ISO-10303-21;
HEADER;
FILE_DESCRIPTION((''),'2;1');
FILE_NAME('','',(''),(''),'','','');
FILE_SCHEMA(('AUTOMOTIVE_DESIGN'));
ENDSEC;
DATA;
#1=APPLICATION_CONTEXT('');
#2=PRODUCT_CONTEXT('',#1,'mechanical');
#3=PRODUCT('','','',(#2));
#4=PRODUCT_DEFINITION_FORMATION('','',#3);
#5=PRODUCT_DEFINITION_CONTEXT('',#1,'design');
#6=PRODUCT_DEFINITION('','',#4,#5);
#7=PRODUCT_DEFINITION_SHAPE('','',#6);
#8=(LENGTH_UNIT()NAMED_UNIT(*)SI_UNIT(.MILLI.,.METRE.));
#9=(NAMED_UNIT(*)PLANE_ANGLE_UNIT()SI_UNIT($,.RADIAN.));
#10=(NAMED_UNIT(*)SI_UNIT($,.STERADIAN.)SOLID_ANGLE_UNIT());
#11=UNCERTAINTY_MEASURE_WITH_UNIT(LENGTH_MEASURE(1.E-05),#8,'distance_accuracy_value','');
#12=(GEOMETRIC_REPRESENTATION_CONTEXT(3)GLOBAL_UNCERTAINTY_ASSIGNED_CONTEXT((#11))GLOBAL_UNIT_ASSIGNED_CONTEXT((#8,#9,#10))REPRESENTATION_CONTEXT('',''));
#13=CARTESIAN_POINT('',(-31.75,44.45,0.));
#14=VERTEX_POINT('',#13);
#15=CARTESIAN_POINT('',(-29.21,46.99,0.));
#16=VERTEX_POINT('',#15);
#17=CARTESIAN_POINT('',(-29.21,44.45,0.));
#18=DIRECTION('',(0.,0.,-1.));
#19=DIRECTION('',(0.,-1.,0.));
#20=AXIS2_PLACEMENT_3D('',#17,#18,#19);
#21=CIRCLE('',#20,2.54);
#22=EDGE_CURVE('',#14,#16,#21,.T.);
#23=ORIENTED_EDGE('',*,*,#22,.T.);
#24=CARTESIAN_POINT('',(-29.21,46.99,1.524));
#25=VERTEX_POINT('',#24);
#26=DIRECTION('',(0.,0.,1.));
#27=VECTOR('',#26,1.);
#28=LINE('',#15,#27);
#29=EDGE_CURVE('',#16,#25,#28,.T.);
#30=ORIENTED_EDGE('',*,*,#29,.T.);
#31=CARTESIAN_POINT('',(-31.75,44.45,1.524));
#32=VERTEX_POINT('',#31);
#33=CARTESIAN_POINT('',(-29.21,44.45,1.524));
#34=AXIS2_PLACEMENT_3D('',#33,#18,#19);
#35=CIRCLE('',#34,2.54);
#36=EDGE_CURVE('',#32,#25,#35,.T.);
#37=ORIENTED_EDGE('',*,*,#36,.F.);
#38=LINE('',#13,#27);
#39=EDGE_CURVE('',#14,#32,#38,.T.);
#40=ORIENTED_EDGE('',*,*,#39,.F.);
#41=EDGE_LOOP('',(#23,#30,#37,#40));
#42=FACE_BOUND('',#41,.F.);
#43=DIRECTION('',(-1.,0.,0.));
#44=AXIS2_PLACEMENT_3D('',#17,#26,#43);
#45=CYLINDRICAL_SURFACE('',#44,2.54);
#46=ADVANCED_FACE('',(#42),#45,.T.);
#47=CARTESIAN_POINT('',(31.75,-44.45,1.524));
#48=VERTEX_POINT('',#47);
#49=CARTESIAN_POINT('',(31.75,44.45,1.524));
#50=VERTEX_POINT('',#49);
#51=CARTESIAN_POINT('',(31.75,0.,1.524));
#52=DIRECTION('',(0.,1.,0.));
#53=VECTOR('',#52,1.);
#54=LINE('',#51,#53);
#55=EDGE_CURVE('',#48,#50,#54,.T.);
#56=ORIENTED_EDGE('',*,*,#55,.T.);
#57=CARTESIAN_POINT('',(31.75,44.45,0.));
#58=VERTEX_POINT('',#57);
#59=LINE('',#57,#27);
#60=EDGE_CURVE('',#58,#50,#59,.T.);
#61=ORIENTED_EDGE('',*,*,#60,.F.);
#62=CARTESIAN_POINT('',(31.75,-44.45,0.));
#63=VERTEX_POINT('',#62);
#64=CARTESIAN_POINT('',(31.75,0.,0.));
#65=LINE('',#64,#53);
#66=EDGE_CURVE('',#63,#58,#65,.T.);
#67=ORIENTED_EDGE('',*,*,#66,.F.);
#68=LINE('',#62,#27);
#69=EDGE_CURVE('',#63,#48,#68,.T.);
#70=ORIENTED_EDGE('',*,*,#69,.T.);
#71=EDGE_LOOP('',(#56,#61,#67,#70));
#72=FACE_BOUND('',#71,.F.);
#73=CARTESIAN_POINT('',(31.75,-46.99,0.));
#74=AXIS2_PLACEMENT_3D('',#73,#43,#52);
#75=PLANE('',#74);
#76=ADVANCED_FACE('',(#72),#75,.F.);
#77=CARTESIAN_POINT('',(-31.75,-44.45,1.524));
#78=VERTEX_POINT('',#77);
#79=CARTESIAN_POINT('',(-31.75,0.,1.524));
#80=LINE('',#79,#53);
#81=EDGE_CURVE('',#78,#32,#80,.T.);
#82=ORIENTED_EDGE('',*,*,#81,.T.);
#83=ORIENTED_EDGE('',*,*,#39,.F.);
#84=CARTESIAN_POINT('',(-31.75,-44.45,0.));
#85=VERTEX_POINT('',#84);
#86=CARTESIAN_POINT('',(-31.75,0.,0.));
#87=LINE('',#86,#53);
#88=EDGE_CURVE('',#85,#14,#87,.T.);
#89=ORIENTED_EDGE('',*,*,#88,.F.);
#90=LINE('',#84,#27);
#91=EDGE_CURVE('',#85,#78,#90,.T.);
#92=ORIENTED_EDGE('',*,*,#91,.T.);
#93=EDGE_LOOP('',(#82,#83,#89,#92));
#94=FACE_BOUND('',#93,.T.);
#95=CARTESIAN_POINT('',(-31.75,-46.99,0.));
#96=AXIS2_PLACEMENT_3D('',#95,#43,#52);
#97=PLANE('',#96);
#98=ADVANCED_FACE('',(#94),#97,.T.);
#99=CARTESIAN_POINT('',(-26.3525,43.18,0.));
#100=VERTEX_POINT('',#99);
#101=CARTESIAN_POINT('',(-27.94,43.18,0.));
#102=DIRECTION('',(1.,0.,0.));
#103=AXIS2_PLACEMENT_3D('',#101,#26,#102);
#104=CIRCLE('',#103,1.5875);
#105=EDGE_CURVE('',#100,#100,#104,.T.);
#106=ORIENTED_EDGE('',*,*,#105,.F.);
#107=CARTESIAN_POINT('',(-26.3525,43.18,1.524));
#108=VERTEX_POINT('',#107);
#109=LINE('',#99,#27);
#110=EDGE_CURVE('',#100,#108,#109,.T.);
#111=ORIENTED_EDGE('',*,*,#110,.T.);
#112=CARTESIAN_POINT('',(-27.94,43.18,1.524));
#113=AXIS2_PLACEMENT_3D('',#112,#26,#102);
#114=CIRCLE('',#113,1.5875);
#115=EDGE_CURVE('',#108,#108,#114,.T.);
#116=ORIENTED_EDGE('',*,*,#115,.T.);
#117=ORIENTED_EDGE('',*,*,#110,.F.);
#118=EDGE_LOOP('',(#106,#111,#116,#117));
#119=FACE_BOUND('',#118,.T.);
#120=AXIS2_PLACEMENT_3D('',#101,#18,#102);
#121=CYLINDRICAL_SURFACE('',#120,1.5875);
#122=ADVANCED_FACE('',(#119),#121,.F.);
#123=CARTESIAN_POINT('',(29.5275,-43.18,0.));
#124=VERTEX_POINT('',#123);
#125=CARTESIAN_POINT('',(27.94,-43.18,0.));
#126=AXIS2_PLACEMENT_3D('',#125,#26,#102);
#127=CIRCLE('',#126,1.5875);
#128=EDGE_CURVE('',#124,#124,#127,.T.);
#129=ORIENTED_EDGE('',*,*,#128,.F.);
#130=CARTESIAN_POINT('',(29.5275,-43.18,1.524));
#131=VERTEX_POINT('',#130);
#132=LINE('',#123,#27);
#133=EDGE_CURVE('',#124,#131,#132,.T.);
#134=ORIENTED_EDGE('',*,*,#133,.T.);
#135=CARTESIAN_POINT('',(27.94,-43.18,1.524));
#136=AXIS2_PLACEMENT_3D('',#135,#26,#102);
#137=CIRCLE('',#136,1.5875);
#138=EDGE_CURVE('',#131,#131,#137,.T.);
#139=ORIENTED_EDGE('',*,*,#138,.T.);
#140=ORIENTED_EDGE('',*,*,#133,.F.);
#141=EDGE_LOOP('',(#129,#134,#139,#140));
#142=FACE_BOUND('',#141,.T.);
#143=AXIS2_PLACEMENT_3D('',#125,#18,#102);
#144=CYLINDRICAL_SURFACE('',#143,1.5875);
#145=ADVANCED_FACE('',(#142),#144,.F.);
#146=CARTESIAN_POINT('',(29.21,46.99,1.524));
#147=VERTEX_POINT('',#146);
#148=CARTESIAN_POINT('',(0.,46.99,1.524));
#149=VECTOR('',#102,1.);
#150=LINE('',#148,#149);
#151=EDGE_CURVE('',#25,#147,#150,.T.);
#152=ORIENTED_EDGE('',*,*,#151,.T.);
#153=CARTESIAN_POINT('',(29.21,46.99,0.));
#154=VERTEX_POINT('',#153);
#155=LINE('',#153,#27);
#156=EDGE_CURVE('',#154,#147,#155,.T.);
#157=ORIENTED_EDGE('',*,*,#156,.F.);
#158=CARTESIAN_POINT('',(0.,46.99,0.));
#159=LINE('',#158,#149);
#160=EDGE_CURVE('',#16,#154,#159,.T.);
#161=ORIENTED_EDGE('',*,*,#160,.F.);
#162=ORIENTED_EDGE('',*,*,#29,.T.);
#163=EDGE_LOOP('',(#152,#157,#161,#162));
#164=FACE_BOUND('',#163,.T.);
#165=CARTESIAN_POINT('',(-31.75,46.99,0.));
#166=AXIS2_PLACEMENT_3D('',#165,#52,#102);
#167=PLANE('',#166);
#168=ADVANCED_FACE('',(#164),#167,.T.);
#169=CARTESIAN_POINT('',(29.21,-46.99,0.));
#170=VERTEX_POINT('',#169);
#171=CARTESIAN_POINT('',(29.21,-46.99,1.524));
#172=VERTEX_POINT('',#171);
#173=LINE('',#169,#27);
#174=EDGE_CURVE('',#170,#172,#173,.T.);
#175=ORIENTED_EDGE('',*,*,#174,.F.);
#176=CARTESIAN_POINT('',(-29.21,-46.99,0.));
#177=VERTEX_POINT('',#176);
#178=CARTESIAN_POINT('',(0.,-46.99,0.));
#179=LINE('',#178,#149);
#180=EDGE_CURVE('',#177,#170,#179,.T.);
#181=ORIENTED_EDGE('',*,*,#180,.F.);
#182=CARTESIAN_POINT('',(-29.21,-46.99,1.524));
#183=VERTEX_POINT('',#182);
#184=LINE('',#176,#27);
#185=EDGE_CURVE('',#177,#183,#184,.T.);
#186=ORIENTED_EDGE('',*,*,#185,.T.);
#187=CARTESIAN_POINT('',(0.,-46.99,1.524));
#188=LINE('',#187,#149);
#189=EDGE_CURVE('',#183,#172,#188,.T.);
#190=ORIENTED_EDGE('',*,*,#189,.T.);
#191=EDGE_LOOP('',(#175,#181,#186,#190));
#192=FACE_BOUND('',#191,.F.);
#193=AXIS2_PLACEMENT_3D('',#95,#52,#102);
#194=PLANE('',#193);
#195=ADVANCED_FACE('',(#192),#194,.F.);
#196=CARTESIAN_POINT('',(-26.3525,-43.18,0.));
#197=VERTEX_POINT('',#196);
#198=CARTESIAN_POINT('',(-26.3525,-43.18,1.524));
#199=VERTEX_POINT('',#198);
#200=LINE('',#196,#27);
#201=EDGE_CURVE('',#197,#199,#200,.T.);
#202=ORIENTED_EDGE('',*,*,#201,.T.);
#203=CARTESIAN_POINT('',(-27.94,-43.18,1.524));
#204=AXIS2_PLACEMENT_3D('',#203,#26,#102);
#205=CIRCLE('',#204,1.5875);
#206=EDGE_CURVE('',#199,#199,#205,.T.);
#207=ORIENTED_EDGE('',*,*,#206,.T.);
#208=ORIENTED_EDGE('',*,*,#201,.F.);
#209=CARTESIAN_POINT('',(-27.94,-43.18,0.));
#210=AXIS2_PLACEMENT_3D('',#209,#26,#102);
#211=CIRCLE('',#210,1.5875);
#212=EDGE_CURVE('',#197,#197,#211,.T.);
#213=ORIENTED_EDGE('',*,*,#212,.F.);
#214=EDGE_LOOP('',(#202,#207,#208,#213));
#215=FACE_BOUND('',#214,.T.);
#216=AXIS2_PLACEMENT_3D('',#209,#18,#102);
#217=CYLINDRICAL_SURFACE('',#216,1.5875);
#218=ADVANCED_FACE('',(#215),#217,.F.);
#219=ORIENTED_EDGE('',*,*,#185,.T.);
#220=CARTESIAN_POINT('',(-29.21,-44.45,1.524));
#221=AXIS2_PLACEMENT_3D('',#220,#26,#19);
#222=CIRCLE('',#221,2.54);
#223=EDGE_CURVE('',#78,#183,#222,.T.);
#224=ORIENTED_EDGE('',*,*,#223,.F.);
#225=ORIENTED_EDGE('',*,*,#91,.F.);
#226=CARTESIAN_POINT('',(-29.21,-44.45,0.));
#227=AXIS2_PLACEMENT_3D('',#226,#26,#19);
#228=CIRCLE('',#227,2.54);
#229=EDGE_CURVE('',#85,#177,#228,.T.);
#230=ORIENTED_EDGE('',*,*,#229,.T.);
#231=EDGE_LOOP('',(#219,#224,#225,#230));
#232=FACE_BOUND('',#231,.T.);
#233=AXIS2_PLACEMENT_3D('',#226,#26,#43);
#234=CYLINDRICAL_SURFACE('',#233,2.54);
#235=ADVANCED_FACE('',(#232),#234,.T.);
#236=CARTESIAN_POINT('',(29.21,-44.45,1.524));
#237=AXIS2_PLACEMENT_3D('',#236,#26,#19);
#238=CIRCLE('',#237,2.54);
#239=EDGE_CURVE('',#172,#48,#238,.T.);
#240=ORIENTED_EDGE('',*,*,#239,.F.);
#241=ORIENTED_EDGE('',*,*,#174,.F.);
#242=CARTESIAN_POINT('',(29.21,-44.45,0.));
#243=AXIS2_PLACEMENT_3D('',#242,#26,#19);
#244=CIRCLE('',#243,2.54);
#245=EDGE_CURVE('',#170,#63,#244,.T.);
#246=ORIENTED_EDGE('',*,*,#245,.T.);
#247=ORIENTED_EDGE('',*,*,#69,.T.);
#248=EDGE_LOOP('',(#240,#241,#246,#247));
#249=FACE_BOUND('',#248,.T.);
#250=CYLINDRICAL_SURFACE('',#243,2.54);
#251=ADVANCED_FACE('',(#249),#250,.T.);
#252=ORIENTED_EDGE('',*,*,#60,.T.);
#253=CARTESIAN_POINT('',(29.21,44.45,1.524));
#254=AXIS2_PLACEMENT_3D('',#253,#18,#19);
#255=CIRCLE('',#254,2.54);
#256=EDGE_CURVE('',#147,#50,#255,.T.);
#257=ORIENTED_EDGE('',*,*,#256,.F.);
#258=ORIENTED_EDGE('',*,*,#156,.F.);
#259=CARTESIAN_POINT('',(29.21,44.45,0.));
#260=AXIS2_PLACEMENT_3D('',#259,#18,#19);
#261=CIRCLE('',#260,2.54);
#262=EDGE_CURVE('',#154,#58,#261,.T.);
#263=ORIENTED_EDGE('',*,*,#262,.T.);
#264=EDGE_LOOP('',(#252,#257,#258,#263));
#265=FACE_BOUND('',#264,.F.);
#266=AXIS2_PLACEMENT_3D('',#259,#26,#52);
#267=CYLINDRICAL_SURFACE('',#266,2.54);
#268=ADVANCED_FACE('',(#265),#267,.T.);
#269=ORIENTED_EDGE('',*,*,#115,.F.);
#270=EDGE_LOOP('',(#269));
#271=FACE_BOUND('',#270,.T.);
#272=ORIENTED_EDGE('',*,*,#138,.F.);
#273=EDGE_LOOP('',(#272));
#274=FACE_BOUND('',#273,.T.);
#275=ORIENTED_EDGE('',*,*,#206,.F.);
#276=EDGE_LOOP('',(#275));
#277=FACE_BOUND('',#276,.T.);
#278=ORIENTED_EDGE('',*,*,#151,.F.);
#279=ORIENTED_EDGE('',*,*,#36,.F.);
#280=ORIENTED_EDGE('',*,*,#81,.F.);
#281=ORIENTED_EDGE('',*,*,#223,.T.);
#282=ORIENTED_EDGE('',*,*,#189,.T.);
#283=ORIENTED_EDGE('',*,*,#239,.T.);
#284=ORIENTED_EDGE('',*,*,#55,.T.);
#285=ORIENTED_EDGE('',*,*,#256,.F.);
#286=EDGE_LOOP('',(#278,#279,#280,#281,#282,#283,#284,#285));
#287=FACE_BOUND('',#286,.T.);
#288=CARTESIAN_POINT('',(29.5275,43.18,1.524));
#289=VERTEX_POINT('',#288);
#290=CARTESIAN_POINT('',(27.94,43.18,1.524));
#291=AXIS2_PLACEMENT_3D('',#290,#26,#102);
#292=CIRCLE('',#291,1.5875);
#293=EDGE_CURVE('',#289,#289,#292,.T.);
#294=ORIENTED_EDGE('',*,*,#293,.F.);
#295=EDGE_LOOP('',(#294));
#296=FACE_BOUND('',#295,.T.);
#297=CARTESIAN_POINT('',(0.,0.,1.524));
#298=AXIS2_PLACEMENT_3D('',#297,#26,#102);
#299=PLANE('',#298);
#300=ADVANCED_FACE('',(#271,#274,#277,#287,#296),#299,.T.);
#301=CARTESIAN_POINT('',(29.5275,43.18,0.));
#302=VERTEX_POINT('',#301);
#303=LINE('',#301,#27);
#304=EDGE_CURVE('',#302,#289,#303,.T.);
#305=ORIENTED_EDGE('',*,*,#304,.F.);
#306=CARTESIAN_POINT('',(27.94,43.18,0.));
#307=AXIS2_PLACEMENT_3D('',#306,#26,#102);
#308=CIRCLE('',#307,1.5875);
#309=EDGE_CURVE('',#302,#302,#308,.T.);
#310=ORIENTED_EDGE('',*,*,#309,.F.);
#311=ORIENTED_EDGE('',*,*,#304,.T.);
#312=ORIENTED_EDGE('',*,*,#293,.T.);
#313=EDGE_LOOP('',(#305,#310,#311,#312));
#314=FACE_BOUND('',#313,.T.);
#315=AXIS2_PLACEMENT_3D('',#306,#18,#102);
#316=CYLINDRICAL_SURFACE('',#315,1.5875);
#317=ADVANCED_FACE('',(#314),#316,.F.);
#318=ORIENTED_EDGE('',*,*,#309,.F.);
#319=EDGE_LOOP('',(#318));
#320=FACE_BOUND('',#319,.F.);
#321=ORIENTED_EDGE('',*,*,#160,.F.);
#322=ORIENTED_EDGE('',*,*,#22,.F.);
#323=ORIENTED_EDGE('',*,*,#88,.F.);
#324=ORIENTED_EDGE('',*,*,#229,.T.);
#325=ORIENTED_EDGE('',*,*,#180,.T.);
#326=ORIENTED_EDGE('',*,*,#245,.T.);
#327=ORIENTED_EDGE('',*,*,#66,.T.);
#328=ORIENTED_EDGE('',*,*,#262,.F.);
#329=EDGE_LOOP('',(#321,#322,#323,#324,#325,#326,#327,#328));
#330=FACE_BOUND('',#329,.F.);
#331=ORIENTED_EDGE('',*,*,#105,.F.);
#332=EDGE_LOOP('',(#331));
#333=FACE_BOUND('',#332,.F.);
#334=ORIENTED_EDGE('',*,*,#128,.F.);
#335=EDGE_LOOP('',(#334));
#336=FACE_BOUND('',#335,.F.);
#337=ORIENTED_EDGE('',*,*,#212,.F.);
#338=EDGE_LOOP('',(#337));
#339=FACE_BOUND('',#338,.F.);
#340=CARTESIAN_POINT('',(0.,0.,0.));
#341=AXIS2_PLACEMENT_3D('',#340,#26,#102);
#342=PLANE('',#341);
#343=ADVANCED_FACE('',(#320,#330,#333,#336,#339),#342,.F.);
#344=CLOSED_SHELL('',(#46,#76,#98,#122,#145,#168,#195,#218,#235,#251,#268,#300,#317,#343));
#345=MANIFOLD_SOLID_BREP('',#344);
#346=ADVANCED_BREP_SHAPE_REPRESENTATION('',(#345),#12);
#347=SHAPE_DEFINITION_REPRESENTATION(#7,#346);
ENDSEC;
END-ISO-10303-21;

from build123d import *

# Parameters (mm, degrees)
F0_W     = 63.5
F0_H     = 93.98
F0_R     = 1.5875
F1_DEPTH = 1.524
F2_R     = 2.54


with BuildPart() as f1:
    # F0 (on Top) → F1 (new body)
    with BuildSketch(Plane.XY):
        Rectangle(F0_W, F0_H)
        with Locations((-27.94, -43.18)):
            Circle(F0_R, mode=Mode.SUBTRACT)
        with Locations((27.94, -43.18)):
            Circle(F0_R, mode=Mode.SUBTRACT)
        with Locations((-27.94, 43.18)):
            Circle(F0_R, mode=Mode.SUBTRACT)
        with Locations((27.94, 43.18)):
            Circle(F0_R, mode=Mode.SUBTRACT)
    extrude(amount=F1_DEPTH)

    # F2
    f2_edges = [f1.edges().sort_by_distance(p)[0] for p in [
        (-31.75, -46.99, 0.762),
        (31.75, -46.99, 0.762),
        (-31.75, 46.99, 0.762),
        (31.75, 46.99, 0.762),
    ]]
    fillet(f2_edges, radius=F2_R)


solid = f1.part
